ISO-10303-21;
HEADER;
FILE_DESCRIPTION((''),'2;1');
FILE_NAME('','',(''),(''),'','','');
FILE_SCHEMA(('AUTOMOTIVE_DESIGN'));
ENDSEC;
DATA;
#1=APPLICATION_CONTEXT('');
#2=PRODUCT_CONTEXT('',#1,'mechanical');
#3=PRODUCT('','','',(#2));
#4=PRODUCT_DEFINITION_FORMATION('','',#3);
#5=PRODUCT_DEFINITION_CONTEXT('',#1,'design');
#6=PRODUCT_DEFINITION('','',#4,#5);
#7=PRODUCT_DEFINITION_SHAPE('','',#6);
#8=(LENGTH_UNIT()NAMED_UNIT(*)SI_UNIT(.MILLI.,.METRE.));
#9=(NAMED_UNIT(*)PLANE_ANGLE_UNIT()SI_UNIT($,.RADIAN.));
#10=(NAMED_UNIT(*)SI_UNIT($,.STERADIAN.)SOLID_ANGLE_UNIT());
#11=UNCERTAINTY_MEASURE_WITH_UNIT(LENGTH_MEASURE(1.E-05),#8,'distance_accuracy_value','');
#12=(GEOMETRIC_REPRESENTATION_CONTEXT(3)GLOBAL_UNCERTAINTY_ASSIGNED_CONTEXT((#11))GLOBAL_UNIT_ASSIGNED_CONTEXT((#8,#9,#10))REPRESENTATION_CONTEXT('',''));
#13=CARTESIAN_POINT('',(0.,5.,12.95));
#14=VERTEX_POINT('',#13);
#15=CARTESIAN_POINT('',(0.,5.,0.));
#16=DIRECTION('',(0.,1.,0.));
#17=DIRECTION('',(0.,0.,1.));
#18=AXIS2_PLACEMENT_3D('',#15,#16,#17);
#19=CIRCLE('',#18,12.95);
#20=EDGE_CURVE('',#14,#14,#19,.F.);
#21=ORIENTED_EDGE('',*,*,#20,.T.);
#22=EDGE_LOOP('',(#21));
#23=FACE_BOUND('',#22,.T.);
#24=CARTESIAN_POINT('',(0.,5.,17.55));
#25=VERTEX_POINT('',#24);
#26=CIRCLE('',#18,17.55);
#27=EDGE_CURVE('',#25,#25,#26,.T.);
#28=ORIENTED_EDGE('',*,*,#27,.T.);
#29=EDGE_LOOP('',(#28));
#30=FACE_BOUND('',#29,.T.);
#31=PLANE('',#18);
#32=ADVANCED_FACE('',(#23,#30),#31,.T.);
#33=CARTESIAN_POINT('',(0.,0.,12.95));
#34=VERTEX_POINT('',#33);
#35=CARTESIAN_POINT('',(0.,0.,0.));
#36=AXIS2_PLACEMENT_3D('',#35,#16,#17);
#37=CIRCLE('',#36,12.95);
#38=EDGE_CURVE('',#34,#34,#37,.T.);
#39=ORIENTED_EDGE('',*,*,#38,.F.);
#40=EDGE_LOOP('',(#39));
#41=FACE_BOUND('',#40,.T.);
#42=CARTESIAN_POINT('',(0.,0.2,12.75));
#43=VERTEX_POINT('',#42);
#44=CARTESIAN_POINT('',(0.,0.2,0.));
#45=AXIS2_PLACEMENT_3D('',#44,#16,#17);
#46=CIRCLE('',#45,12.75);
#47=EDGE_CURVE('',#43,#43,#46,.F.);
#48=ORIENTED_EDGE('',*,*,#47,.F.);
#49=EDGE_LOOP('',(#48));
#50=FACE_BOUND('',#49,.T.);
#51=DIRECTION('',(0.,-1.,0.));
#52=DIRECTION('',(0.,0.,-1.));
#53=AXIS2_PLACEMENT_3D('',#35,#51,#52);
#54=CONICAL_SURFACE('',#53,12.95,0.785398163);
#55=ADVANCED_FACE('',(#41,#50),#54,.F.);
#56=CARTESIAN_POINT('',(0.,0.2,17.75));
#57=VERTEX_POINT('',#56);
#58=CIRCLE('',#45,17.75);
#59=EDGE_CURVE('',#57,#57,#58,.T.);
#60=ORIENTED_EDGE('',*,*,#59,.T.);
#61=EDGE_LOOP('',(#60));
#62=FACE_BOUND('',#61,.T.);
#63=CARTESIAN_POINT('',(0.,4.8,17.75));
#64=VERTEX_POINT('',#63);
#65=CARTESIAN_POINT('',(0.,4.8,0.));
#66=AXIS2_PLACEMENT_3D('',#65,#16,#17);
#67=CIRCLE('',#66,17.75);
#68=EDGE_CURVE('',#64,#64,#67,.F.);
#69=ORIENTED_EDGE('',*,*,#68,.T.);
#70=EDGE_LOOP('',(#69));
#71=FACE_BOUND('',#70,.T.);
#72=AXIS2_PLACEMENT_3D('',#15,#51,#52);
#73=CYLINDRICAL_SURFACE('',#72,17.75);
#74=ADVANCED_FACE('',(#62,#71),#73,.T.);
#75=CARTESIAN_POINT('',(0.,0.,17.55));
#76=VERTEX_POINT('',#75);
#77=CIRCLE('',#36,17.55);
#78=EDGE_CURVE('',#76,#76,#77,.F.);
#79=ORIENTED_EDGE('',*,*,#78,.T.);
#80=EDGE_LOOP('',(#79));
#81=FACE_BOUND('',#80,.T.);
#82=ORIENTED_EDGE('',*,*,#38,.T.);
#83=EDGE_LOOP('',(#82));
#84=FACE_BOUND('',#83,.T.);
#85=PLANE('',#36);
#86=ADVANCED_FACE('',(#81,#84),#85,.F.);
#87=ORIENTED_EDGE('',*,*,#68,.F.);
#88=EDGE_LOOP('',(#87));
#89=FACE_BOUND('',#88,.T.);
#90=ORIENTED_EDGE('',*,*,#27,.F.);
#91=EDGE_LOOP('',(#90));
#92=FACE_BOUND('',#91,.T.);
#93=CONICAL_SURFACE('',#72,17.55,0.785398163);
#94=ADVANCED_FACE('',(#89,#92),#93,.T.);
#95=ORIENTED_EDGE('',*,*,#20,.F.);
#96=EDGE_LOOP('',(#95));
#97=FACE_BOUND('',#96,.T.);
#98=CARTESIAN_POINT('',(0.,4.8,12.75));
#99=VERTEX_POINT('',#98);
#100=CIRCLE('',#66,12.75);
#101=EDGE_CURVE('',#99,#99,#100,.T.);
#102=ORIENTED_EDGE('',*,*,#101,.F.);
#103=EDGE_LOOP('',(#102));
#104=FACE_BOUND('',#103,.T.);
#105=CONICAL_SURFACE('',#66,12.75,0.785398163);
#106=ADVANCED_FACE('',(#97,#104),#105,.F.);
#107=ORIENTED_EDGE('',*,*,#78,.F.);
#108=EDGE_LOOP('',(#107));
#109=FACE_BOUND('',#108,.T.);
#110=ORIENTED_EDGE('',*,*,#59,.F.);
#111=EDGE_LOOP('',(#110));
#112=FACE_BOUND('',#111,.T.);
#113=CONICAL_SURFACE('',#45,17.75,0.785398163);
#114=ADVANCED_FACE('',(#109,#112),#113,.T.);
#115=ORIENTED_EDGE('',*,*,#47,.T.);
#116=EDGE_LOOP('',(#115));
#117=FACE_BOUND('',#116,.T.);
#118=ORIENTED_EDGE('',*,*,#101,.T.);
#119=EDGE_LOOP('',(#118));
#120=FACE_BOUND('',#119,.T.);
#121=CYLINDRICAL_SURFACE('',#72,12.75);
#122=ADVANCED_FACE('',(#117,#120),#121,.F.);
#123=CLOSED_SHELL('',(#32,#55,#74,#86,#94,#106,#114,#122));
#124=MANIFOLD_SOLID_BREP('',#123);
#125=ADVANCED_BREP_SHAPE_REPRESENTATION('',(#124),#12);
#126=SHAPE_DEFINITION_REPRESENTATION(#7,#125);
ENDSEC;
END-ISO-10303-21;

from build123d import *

# Parameters (mm, degrees)
SKETCH1_R           = 17.75
SKETCH1_R_2         = 12.75
BOSS_EXTRUDE1_DEPTH = 5
CHAMFER1_SIZE       = 0.2


with BuildPart() as part:
    # Sketch1 → Boss-Extrude1 (new body)
    with BuildSketch(Plane(origin=(0, 0, 0), x_dir=(1, 0, 0), z_dir=(0, 1, 0))):
        with Locations(Location((0, 0, 0), (0, 0, 270))):
            Circle(SKETCH1_R)
        with Locations(Location((0, 0, 0), (0, 0, 270))):
            Circle(SKETCH1_R_2, mode=Mode.SUBTRACT)
    extrude(amount=BOSS_EXTRUDE1_DEPTH)

    # Chamfer1
    chamfer1_edges = [part.edges().sort_by_distance(p)[0] for p in [
        (0, 0, -17.75),
        (0, 5, -17.75),
        (0, 0, -12.75),
        (0, 5, -12.75),
    ]]
    chamfer(chamfer1_edges, length=CHAMFER1_SIZE)


solid = part.part
